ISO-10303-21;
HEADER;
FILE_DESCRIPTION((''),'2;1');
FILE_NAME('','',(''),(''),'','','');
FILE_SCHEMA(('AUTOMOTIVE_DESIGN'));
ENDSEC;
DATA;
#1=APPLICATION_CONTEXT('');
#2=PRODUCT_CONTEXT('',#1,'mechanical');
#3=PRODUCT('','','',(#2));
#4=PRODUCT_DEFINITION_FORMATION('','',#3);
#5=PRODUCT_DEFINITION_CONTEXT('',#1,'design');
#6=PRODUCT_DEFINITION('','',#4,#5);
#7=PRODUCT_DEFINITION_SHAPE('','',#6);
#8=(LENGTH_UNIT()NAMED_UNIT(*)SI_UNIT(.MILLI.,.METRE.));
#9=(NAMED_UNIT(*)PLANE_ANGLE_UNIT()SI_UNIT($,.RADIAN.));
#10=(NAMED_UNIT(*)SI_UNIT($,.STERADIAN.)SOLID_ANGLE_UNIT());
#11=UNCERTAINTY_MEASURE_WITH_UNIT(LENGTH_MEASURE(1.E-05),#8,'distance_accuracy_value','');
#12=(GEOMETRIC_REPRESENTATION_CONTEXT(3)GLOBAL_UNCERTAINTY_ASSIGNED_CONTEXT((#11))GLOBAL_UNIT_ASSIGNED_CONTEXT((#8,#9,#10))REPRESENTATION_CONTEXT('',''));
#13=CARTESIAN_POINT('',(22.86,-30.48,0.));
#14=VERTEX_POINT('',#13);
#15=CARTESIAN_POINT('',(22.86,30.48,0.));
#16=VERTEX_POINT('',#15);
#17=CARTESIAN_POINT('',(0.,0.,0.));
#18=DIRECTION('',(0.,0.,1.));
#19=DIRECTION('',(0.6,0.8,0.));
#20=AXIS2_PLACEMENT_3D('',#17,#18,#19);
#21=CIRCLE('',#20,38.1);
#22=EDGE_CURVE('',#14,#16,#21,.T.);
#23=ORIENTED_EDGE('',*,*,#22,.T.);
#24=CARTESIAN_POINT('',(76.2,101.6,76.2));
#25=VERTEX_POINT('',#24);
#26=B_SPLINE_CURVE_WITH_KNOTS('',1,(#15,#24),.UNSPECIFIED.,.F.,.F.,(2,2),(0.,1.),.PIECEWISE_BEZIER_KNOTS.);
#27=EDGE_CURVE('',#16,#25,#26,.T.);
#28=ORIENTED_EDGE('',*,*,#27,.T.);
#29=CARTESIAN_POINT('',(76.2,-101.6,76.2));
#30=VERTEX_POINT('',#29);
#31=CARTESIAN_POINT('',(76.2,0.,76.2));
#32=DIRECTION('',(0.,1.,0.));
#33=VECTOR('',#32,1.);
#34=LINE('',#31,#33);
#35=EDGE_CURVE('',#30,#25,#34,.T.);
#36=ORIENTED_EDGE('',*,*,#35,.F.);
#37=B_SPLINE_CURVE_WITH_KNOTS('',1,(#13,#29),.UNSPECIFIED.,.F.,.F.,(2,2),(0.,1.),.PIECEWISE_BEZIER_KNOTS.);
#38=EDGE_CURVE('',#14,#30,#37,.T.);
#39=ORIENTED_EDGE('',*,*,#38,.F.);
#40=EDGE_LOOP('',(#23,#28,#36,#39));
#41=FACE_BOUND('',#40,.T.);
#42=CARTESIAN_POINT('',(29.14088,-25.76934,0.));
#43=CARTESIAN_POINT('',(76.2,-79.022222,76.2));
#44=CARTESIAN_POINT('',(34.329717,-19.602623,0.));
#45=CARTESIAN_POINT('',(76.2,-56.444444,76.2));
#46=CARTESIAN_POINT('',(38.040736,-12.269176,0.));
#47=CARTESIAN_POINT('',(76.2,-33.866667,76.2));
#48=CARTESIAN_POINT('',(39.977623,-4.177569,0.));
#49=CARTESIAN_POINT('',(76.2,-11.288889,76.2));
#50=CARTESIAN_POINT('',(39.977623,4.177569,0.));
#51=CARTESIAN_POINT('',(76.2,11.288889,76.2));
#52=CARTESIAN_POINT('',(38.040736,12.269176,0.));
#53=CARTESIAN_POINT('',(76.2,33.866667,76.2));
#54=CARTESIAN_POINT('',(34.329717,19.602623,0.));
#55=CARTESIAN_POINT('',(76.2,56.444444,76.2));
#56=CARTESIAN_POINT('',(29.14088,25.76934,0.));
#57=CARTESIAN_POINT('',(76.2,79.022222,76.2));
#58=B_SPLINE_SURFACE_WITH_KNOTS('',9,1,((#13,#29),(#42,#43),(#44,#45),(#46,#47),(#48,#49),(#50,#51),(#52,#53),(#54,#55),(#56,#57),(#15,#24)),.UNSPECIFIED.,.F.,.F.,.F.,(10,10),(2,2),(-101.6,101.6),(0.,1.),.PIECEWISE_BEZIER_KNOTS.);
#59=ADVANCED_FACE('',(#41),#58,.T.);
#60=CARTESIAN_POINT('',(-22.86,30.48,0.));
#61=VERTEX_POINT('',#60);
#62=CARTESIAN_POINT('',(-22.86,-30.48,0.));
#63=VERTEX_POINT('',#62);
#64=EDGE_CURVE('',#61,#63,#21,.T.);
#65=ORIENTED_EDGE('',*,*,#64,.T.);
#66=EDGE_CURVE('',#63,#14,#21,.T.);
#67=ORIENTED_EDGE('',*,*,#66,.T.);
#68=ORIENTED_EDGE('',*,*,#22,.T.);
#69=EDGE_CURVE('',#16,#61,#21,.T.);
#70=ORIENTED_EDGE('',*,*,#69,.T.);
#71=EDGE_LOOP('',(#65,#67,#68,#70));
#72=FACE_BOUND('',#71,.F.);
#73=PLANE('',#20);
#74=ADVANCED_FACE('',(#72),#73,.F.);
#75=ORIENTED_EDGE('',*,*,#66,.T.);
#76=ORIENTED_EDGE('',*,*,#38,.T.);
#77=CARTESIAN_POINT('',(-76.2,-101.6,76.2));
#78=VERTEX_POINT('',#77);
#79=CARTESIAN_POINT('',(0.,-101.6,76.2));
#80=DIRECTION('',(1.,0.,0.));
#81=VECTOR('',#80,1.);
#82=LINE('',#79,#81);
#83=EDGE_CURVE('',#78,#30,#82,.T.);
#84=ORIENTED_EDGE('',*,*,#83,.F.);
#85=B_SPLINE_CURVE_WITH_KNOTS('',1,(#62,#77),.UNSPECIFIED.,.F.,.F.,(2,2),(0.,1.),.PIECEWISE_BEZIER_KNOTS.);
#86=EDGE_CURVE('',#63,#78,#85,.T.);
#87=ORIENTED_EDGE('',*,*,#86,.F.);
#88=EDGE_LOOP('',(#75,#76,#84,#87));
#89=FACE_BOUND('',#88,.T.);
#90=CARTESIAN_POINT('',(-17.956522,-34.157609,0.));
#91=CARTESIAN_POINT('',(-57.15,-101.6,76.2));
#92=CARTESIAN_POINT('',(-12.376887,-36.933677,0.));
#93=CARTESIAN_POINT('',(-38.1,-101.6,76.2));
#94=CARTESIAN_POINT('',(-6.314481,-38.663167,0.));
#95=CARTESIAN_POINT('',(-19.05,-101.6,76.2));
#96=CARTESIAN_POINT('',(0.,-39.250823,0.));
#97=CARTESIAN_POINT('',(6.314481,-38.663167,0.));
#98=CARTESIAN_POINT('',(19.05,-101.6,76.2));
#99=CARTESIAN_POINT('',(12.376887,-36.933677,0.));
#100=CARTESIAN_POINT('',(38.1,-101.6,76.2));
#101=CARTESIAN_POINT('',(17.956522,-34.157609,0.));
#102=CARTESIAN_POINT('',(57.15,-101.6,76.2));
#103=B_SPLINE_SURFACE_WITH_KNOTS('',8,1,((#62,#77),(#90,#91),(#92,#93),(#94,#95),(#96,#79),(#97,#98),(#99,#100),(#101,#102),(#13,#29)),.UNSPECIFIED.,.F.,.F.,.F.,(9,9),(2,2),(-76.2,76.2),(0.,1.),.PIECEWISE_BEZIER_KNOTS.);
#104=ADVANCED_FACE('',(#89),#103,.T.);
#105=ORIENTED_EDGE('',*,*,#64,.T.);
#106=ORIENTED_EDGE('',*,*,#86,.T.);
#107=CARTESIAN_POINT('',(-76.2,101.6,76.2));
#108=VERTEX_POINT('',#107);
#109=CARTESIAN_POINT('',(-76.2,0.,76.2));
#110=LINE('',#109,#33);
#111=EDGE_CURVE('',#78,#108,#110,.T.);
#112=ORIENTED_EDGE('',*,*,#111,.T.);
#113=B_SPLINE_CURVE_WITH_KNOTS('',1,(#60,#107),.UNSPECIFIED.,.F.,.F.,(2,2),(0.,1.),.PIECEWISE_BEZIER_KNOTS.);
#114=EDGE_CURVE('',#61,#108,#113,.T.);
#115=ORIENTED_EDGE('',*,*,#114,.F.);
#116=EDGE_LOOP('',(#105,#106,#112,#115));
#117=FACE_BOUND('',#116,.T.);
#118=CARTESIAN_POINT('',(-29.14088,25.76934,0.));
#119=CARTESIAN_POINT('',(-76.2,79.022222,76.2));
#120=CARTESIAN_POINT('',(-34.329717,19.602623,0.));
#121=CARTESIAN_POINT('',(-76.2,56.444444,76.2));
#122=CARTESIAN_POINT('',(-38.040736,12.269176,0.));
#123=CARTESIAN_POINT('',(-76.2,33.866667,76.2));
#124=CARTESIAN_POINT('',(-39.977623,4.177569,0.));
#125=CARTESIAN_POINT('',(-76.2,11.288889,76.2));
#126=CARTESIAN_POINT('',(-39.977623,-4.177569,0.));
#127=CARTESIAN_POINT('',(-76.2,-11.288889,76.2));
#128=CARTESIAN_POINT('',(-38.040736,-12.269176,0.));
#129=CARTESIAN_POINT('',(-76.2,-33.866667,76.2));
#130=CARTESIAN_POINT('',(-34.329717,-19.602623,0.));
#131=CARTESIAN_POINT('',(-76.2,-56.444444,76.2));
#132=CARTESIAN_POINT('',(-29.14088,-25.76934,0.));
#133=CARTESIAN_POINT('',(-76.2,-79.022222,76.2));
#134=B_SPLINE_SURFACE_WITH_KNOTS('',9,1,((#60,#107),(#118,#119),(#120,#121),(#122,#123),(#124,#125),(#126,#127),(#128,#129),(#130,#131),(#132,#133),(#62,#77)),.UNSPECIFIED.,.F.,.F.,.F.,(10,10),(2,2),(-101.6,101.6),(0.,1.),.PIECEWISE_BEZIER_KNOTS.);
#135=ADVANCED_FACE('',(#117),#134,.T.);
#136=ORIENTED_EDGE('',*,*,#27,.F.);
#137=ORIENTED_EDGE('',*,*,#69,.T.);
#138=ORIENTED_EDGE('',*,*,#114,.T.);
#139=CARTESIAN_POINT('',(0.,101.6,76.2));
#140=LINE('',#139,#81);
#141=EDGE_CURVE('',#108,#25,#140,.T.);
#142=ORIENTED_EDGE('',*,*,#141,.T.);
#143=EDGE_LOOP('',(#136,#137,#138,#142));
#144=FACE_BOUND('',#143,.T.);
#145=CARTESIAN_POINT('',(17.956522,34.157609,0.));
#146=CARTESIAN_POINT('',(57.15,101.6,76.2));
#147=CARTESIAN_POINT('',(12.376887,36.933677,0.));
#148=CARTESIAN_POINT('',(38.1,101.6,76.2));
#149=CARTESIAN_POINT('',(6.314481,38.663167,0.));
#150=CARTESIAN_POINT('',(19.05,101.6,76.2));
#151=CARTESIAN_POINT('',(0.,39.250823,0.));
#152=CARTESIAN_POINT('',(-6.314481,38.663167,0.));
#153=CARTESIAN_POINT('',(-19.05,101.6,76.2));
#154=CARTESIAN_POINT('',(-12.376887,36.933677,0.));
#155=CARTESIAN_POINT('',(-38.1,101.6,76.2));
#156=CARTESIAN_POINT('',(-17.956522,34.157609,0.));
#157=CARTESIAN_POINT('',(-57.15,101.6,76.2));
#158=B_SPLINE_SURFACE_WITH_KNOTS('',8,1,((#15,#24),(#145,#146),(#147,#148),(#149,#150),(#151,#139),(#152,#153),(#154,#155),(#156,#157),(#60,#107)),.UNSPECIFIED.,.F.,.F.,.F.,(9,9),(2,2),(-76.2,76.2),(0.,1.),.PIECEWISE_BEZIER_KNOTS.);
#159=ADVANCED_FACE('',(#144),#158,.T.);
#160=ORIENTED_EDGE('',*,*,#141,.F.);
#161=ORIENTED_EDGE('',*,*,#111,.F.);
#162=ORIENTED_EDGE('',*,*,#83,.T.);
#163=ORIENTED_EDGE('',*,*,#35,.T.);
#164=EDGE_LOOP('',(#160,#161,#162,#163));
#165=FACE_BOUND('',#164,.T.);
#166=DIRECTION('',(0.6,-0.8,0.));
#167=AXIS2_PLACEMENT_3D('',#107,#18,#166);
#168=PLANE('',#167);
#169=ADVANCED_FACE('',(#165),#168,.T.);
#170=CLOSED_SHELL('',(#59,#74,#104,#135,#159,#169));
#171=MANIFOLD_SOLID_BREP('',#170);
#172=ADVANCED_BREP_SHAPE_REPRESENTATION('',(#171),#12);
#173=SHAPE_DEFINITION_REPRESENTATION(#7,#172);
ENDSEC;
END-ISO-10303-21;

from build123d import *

# Parameters (mm, degrees)
F1_W = 152.4
F1_H = 203.2


with BuildPart() as f3:
    # F2 (on Top) → F3 section 0
    with BuildSketch(Plane.XY):
        with BuildLine():
            ThreePointArc((-22.86, 30.48), (-38.1, 0), (-22.86, -30.48))
            ThreePointArc((-22.86, -30.48), (0, -38.1), (22.86, -30.48))
            ThreePointArc((22.86, -30.48), (38.1, 0), (22.86, 30.48))
            ThreePointArc((22.86, 30.48), (0, 38.1), (-22.86, 30.48))
        make_face()
    # F1 (on offset) → F3 section 1
    with BuildSketch(Plane.XY.offset(76.2)):
        Rectangle(F1_W, F1_H)
    loft()


solid = f3.part
